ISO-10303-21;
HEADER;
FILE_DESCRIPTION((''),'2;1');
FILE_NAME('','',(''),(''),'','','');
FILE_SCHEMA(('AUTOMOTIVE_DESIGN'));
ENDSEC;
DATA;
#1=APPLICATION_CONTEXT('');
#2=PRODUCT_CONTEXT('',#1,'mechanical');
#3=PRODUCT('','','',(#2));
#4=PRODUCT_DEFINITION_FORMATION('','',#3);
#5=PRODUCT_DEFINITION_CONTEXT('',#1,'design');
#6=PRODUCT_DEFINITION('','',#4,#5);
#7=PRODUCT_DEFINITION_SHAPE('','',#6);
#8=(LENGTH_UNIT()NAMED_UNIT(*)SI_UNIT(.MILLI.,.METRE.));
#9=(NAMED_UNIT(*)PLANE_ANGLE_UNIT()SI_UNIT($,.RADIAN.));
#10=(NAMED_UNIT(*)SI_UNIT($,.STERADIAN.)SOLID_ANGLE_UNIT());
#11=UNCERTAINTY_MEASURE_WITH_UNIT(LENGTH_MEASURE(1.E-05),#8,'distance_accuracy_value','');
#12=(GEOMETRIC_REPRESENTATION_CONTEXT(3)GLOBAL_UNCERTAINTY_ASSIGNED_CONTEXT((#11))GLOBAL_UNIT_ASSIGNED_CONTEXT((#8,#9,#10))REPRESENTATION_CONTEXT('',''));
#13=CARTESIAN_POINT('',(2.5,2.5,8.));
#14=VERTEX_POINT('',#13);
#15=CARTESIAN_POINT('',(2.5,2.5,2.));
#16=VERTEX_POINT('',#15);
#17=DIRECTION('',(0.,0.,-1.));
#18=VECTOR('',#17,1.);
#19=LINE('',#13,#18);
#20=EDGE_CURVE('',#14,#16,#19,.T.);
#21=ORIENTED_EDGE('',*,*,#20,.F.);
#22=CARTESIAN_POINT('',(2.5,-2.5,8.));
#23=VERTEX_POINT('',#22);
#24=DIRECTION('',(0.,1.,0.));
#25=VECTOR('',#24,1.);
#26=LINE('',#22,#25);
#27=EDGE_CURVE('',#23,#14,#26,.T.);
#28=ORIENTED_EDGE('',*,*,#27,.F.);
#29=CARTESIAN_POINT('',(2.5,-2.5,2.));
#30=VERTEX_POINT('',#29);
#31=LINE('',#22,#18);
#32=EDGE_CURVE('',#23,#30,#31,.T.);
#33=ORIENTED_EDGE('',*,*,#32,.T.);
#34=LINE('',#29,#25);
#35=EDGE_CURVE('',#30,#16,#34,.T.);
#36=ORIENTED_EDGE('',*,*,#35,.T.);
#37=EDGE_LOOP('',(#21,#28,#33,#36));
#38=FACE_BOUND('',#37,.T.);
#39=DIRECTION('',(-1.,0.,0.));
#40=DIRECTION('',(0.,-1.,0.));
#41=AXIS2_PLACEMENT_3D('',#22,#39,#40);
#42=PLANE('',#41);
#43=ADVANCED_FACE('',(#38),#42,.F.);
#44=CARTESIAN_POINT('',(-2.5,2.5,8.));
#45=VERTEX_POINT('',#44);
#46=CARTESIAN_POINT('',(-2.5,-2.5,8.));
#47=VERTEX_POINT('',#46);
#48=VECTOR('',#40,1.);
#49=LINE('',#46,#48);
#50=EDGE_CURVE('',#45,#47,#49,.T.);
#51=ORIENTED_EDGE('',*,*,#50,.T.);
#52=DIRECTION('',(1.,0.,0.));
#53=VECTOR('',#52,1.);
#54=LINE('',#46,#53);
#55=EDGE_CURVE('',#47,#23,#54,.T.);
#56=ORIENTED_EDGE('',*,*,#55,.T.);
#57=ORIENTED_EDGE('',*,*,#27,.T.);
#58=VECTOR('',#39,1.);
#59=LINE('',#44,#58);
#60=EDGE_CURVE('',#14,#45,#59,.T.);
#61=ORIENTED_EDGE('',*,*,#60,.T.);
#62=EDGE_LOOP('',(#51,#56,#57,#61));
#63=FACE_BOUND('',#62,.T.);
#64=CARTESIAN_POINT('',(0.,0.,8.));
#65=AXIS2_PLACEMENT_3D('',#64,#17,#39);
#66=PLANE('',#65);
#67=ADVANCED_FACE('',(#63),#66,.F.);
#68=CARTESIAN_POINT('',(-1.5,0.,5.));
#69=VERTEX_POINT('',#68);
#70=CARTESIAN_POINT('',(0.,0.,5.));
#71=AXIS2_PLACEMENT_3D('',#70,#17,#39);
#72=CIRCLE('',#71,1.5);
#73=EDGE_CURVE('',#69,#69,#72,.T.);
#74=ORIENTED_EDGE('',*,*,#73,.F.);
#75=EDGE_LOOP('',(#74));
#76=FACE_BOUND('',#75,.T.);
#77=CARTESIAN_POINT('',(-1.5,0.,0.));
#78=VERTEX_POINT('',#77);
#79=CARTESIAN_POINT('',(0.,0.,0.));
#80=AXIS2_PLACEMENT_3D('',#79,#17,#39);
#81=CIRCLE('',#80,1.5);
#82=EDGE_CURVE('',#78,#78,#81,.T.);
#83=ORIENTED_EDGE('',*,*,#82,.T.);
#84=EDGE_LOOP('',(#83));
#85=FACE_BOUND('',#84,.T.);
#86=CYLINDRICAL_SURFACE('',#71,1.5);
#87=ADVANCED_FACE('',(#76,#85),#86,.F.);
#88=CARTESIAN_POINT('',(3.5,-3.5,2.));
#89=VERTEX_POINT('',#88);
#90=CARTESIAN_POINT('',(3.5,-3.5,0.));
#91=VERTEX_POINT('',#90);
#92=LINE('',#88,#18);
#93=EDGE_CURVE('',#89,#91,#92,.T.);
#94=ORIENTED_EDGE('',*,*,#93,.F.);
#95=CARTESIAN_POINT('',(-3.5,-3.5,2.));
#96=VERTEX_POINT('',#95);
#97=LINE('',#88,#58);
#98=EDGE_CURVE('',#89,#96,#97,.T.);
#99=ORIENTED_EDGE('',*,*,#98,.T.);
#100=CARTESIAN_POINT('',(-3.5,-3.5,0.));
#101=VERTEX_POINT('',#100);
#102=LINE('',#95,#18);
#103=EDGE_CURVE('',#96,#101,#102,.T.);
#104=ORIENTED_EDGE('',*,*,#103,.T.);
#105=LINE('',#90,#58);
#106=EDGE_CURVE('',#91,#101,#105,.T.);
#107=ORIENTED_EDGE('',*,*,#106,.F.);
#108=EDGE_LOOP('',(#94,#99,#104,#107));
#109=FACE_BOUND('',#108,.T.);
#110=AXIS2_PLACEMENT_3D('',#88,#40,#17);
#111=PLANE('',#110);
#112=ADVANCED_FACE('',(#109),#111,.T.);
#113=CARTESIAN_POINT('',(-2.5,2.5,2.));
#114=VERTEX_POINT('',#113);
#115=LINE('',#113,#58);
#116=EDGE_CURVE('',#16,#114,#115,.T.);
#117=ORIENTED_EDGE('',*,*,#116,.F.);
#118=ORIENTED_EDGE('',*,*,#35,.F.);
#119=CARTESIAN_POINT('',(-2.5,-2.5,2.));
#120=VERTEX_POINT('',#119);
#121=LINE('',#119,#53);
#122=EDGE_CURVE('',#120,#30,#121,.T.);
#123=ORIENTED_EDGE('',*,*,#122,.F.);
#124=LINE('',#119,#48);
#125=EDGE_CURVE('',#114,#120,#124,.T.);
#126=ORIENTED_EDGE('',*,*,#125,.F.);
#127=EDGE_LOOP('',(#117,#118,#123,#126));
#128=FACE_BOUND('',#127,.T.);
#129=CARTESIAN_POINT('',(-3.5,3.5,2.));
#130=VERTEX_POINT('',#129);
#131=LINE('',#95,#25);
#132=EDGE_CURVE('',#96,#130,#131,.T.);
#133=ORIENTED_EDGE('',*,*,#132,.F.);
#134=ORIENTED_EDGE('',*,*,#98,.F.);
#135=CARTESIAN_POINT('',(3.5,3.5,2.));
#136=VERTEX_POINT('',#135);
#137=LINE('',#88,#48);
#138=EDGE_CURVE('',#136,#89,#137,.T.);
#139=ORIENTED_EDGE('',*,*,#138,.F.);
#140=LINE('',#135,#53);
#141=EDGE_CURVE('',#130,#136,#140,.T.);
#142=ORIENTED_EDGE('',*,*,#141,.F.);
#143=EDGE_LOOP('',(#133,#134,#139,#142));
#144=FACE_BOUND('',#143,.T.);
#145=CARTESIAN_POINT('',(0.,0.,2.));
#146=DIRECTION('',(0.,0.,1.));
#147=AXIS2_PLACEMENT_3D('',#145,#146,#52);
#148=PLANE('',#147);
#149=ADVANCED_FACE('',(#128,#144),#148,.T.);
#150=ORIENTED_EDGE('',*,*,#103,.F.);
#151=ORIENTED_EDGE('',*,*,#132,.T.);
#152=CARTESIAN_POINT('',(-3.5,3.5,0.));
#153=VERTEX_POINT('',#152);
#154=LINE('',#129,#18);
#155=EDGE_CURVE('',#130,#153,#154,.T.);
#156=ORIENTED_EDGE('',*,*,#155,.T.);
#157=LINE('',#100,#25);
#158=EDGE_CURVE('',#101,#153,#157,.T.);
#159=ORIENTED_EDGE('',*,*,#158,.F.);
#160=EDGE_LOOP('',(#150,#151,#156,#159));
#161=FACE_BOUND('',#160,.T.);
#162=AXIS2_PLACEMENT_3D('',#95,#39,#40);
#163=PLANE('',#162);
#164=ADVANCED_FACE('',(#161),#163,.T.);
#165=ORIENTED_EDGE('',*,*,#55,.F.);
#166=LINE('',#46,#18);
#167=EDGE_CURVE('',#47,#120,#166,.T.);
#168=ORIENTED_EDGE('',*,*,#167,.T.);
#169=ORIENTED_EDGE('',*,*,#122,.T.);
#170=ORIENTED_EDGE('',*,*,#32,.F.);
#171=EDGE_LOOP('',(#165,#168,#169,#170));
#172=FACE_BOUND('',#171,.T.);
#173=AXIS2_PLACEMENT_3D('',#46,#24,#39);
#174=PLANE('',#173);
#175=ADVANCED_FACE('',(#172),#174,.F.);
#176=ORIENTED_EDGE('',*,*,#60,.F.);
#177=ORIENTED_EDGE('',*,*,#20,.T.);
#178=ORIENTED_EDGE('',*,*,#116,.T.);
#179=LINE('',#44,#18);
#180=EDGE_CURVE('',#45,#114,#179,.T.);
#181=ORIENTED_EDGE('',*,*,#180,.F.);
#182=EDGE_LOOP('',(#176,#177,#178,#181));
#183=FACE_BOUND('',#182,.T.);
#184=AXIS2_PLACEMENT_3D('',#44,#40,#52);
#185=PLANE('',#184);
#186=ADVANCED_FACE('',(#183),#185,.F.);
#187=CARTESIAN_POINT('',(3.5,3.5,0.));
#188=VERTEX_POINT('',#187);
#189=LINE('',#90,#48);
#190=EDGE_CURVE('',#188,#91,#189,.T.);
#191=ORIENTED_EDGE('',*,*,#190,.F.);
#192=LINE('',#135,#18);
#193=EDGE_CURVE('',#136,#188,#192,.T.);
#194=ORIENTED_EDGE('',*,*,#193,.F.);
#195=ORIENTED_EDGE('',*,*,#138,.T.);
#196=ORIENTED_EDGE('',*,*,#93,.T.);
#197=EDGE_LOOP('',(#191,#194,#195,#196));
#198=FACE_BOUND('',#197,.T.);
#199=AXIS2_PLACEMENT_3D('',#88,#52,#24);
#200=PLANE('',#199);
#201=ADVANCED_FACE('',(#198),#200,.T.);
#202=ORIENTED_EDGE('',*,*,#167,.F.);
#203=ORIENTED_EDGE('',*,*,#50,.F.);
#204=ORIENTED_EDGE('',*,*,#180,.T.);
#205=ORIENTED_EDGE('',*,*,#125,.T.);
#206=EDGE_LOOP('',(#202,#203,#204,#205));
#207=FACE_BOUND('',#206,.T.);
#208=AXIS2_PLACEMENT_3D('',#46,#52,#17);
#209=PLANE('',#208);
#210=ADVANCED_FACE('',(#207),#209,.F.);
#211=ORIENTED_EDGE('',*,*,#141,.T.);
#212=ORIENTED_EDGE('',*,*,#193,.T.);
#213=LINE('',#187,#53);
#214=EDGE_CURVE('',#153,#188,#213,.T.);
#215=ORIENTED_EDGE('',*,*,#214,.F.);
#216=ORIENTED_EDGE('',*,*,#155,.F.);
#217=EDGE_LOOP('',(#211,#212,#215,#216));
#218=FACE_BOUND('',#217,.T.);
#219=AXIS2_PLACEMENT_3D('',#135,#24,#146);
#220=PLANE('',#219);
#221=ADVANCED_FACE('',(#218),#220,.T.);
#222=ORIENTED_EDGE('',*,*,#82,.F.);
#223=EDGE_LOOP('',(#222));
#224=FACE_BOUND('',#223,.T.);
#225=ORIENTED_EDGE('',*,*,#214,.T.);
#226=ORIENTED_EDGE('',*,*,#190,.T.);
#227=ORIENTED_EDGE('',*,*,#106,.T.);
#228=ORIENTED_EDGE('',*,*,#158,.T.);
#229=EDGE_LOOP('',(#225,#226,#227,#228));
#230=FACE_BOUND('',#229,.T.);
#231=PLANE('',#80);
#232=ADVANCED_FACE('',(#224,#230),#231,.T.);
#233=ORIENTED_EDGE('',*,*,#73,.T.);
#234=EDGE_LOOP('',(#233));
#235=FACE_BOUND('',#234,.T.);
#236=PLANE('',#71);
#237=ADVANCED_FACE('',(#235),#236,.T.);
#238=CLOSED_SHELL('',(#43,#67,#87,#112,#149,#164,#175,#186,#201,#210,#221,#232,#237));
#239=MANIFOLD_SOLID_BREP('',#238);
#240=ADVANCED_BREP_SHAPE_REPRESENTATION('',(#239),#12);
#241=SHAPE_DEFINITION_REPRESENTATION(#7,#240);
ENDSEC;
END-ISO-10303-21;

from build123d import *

# Parameters (mm, degrees)
SKETCH_1_W          = 5
SKETCH_1_H          = 5
EXTRUDE_1_DEPTH     = 8
SKETCH_2_W          = 7
SKETCH_2_H          = 7
EXTRUDE_2_DEPTH     = 2
SKETCH_3_R          = 1.5
CUT_EXTRUDE_1_DEPTH = 5


with BuildPart() as part:
    # 草图1 → 凸台-拉伸1 (new body)
    with BuildSketch(Plane.XY):
        Rectangle(SKETCH_1_W, SKETCH_1_H)
    extrude(amount=EXTRUDE_1_DEPTH)

    # 草图2 → 凸台-拉伸2 (add)
    with BuildSketch(Plane(origin=(0, 0, 0), x_dir=(-1, 0, 0), z_dir=(0, 0, -1))):
        Rectangle(SKETCH_2_W, SKETCH_2_H)
    extrude(amount=-EXTRUDE_2_DEPTH)

    # 草图3 → 切除-拉伸1 (cut)
    with BuildSketch(Plane(origin=(0, 0, 0), x_dir=(-1, 0, 0), z_dir=(0, 0, -1))):
        Circle(SKETCH_3_R)
    extrude(amount=-CUT_EXTRUDE_1_DEPTH, mode=Mode.SUBTRACT)


solid = part.part
